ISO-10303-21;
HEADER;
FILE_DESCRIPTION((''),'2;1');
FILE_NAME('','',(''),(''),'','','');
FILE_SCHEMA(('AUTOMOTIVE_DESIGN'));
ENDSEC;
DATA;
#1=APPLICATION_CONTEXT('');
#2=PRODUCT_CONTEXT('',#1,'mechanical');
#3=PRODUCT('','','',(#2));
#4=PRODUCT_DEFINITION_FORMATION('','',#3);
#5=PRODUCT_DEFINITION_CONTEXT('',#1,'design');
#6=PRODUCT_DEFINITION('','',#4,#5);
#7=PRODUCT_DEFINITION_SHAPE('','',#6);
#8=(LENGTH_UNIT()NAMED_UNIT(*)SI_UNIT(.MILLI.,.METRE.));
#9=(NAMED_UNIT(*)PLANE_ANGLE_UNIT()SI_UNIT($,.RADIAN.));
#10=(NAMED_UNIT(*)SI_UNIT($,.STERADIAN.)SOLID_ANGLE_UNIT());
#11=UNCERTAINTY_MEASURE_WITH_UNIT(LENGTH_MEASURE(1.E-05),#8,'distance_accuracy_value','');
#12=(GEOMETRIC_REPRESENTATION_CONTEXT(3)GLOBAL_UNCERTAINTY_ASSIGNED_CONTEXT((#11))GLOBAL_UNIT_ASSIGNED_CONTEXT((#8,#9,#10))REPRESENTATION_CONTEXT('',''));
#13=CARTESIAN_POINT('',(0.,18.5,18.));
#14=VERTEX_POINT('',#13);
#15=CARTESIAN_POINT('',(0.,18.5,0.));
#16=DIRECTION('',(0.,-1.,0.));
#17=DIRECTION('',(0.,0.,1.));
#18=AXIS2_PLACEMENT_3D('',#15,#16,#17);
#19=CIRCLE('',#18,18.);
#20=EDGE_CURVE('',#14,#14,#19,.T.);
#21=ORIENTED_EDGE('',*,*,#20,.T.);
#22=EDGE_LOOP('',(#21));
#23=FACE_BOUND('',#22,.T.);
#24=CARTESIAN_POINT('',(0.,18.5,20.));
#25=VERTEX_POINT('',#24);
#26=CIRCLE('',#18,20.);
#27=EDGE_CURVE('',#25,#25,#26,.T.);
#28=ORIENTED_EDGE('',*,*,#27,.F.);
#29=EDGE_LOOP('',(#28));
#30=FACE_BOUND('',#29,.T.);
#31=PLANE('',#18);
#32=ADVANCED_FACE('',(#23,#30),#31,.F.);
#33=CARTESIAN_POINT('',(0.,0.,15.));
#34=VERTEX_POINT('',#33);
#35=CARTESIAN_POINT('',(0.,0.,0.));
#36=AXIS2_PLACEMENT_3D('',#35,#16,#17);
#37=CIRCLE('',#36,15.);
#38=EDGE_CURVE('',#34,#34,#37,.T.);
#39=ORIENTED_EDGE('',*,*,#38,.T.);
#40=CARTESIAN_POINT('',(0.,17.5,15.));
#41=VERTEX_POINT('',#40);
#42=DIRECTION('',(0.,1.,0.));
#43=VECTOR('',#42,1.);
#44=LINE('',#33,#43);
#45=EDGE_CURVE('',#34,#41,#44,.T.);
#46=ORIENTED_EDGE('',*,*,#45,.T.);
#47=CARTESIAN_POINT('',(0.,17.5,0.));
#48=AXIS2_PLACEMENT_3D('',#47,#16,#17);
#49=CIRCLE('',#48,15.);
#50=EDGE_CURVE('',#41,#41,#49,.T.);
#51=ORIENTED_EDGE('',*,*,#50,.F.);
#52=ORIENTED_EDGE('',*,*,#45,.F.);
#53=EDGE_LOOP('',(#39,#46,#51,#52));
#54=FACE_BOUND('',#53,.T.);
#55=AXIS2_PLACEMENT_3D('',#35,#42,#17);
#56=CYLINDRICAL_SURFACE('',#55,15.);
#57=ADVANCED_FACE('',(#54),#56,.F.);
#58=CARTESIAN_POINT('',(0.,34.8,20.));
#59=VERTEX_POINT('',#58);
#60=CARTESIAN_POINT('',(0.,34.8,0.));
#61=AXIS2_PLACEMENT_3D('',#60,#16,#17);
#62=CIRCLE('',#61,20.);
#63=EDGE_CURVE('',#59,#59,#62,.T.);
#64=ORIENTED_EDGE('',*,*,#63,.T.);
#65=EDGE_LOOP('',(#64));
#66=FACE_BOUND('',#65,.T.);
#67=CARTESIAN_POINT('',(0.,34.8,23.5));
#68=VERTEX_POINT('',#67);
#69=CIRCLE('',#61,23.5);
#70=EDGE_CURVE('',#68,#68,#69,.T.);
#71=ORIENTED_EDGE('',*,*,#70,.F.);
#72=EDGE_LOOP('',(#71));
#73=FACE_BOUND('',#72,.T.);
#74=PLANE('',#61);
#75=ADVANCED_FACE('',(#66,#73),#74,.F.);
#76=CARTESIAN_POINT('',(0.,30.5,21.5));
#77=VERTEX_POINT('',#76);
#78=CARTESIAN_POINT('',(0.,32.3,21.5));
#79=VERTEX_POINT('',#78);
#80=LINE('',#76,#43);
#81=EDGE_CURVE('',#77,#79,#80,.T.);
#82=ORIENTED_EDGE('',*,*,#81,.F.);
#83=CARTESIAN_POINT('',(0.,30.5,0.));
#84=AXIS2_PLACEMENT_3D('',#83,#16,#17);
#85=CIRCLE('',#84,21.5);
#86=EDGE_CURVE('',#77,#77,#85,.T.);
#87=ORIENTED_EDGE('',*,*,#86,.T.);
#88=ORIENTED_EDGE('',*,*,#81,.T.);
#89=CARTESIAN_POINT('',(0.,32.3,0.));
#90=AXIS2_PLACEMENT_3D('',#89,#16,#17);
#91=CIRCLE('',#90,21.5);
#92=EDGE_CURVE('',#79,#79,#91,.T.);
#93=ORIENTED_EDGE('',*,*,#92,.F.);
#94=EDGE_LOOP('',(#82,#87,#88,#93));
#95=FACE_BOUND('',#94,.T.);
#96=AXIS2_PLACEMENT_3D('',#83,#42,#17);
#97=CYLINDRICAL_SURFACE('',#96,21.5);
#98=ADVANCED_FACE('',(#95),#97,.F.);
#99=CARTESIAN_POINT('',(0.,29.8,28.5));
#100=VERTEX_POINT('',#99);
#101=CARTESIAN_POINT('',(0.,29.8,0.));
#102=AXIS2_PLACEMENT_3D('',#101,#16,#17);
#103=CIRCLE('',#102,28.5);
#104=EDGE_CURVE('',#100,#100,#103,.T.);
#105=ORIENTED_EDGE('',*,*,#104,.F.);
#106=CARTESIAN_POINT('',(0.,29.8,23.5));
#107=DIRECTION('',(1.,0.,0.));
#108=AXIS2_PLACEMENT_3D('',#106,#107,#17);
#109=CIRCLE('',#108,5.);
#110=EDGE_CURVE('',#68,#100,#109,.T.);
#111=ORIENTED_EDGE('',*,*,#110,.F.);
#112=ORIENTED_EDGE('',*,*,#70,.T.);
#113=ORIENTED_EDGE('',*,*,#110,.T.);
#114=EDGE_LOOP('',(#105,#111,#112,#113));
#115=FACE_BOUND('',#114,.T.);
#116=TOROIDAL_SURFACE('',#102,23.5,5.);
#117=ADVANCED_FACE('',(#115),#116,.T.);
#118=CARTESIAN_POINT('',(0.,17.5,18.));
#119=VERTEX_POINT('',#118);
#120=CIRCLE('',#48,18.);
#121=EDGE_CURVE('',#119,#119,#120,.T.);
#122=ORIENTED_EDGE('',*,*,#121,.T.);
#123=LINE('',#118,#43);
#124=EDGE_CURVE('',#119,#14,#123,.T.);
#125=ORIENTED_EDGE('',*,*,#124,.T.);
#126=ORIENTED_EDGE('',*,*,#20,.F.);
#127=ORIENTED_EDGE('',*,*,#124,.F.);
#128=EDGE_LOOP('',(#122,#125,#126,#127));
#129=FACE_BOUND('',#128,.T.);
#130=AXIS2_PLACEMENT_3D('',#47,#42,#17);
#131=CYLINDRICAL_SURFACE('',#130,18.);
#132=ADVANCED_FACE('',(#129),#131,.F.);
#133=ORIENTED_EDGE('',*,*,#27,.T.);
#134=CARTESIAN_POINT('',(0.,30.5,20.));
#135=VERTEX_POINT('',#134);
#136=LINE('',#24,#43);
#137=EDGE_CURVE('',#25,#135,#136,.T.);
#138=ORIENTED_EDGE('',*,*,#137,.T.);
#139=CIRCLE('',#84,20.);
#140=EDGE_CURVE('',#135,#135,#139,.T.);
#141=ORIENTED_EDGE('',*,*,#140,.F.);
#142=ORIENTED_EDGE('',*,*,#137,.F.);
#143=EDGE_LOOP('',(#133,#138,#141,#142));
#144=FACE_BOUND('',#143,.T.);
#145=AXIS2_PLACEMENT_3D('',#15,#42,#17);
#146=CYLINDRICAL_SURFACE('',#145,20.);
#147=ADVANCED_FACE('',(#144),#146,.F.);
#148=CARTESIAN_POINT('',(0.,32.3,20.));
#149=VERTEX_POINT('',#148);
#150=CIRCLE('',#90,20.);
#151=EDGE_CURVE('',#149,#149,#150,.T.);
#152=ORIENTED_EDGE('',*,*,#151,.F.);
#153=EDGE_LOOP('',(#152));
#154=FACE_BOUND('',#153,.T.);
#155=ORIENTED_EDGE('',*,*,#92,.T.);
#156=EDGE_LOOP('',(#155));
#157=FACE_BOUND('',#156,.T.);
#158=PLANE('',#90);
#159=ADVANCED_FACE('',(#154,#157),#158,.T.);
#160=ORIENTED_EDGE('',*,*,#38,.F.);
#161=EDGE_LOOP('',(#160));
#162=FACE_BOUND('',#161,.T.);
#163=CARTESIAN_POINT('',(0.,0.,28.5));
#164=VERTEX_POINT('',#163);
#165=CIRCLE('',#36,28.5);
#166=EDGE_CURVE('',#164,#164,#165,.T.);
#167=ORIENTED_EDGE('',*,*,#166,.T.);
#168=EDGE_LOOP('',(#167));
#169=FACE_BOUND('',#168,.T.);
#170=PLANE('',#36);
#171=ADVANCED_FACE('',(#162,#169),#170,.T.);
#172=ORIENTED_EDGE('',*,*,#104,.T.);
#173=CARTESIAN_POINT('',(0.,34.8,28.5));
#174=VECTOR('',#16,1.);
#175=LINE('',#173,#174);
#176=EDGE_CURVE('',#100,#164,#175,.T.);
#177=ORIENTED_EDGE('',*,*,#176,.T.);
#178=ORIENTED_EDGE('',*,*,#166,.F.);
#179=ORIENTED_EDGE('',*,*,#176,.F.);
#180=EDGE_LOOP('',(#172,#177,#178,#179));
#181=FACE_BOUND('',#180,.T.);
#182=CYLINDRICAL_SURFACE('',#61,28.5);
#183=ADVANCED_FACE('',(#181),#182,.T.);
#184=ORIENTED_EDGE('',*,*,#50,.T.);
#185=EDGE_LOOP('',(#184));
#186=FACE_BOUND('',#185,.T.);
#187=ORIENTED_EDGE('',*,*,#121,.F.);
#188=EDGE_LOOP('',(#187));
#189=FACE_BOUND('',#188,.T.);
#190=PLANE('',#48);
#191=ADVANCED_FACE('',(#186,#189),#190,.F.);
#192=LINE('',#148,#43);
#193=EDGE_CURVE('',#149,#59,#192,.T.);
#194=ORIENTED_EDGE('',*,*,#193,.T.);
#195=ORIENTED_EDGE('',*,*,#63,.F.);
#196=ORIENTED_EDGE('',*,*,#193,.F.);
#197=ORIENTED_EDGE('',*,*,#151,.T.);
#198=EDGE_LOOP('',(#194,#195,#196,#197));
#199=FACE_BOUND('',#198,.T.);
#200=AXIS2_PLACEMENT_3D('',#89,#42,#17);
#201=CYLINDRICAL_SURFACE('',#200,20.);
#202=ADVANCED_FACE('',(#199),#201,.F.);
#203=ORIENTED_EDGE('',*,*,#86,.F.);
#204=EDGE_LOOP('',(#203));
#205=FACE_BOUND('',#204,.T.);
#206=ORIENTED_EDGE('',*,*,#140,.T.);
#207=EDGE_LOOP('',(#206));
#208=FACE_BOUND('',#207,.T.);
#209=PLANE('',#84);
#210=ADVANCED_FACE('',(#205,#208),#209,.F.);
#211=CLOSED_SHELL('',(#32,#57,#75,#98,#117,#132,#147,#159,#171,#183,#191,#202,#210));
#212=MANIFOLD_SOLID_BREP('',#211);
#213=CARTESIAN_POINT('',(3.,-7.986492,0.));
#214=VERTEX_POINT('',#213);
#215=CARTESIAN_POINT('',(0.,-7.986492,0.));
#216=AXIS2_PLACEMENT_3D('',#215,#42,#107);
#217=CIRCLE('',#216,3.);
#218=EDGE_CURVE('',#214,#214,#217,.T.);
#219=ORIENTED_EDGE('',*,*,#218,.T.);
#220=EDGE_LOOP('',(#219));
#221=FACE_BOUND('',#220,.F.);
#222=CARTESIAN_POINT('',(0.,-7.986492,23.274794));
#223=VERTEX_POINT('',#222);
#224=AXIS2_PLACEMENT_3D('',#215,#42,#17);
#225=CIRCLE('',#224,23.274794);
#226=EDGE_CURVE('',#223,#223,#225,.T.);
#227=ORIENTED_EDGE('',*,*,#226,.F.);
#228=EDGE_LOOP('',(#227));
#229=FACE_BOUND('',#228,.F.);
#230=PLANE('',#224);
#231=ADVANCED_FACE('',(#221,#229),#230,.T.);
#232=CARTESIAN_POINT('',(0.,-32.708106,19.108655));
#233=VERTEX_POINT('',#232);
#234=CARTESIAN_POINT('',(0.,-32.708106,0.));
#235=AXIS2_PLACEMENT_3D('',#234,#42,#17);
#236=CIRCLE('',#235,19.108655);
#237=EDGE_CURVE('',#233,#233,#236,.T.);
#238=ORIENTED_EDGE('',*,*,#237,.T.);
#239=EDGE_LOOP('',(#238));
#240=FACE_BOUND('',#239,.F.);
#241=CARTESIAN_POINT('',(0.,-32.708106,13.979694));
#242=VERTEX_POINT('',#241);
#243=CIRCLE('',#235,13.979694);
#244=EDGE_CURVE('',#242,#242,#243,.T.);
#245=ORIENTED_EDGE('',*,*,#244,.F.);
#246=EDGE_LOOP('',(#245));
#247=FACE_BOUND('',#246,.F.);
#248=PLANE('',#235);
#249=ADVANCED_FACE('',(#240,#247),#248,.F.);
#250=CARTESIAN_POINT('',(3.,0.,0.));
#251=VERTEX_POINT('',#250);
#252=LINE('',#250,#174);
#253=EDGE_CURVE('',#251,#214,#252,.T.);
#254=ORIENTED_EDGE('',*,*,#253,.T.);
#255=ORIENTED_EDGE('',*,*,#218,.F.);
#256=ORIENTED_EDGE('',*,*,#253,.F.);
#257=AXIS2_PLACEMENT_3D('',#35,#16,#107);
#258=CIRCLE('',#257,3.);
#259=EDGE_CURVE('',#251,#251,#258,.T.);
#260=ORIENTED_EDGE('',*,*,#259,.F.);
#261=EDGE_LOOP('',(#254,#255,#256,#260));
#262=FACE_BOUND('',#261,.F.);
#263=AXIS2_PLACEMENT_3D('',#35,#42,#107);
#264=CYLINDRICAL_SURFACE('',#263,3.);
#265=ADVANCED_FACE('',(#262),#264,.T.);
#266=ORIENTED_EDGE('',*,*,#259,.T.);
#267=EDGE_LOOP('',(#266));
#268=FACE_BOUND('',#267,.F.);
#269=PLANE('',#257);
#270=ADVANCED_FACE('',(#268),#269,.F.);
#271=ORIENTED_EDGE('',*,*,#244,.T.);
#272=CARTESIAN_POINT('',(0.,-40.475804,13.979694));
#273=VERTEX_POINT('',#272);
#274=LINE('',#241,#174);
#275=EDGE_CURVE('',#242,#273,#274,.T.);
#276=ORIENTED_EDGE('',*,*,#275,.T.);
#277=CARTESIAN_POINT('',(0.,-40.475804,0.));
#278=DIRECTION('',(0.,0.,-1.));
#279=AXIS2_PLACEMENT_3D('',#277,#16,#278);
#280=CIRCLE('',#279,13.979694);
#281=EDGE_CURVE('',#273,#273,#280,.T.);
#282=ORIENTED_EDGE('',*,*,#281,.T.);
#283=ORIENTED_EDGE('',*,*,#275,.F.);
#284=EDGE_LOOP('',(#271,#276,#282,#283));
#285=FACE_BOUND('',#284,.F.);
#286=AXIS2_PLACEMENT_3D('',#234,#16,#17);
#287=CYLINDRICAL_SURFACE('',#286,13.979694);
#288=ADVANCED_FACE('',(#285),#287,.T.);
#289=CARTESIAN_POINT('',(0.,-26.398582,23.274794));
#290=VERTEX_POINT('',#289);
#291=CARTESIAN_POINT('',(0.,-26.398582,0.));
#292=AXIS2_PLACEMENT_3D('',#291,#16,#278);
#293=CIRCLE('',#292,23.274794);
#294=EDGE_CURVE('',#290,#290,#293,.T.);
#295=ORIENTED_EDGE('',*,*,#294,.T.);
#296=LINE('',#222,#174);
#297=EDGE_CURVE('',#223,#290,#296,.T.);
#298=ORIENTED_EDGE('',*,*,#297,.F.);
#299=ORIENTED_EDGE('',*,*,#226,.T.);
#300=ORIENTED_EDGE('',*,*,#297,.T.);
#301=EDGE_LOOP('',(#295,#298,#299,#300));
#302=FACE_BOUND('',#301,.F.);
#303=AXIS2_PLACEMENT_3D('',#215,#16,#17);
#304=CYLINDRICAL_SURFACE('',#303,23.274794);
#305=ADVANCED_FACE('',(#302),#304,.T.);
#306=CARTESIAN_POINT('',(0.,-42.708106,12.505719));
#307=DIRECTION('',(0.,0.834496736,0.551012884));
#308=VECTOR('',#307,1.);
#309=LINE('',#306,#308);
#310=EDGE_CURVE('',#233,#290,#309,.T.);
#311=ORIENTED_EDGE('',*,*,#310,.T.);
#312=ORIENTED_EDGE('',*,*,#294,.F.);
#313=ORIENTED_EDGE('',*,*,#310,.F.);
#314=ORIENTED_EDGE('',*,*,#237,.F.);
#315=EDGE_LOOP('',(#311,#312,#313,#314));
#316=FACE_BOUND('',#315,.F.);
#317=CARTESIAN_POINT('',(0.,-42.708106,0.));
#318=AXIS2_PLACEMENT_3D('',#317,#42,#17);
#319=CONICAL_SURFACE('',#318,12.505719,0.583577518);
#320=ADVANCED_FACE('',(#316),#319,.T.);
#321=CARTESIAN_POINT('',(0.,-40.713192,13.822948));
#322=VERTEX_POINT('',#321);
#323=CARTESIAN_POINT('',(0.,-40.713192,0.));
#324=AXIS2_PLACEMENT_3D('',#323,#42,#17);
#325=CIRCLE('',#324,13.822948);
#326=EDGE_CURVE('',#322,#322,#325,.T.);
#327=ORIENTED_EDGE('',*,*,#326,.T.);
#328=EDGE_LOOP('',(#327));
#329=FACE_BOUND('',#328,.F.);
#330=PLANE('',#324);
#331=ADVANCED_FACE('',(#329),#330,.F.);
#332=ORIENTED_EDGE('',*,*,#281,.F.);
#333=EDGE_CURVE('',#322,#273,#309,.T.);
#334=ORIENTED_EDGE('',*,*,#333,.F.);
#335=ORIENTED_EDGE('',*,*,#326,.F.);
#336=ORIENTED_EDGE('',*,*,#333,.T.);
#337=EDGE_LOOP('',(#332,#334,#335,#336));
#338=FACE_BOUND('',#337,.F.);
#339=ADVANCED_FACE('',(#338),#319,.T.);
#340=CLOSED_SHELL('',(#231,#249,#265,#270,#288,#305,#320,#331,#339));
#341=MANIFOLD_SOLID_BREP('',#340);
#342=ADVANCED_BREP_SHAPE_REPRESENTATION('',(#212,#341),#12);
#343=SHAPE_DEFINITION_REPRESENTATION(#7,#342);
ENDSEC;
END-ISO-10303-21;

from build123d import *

# Parameters (mm, degrees)
F0_R     = 3
F1_DEPTH = 20
F8_R     = 5


with BuildPart() as f1:
    # F0 (on Front) → F1 (new body)
    with BuildSketch(Plane.XZ):
        Circle(F0_R)
    extrude(amount=F1_DEPTH)

    # F4 (on Right) → F5 (revolve)
    with BuildSketch(Plane.YZ):
        Polygon((-40.713192, 0), (-7.986492, 0), (-7.986492, 23.274794), (-32.708106, 23.274794), (-32.708106, 13.979694), (-40.713192, 13.979694), align=None)
    revolve(axis=Axis((0, -24.349842, 0), (0, 1, 0)))

    # F6 (on Right) → F7 (revolve, cut)
    with BuildSketch(Plane.YZ):
        Polygon((-42.708106, 12.505719), (-4.846163, 37.505719), (-42.708106, 37.505719), align=None)
    revolve(axis=Axis((0, 0, 0), (0, -1, 0)), mode=Mode.SUBTRACT)


with BuildPart() as f3:
    # F2 (on Right) → F3 (revolve)
    with BuildSketch(Plane.YZ):
        Polygon((0, 28.5), (0, 15), (17.5, 15), (17.5, 18), (18.5, 18), (18.5, 20), (30.5, 20), (30.5, 21.5), (32.3, 21.5), (32.3, 20), (34.8, 20), (34.8, 28.5), align=None)
    revolve(axis=Axis((0, -20, 0), (0, -1, 0)))

    # F8
    f8_edges = [f3.edges().sort_by_distance(p)[0] for p in [
        (0, 34.8, -28.5),
    ]]
    fillet(f8_edges, radius=F8_R)


solid = Compound([f1.part, f3.part])
